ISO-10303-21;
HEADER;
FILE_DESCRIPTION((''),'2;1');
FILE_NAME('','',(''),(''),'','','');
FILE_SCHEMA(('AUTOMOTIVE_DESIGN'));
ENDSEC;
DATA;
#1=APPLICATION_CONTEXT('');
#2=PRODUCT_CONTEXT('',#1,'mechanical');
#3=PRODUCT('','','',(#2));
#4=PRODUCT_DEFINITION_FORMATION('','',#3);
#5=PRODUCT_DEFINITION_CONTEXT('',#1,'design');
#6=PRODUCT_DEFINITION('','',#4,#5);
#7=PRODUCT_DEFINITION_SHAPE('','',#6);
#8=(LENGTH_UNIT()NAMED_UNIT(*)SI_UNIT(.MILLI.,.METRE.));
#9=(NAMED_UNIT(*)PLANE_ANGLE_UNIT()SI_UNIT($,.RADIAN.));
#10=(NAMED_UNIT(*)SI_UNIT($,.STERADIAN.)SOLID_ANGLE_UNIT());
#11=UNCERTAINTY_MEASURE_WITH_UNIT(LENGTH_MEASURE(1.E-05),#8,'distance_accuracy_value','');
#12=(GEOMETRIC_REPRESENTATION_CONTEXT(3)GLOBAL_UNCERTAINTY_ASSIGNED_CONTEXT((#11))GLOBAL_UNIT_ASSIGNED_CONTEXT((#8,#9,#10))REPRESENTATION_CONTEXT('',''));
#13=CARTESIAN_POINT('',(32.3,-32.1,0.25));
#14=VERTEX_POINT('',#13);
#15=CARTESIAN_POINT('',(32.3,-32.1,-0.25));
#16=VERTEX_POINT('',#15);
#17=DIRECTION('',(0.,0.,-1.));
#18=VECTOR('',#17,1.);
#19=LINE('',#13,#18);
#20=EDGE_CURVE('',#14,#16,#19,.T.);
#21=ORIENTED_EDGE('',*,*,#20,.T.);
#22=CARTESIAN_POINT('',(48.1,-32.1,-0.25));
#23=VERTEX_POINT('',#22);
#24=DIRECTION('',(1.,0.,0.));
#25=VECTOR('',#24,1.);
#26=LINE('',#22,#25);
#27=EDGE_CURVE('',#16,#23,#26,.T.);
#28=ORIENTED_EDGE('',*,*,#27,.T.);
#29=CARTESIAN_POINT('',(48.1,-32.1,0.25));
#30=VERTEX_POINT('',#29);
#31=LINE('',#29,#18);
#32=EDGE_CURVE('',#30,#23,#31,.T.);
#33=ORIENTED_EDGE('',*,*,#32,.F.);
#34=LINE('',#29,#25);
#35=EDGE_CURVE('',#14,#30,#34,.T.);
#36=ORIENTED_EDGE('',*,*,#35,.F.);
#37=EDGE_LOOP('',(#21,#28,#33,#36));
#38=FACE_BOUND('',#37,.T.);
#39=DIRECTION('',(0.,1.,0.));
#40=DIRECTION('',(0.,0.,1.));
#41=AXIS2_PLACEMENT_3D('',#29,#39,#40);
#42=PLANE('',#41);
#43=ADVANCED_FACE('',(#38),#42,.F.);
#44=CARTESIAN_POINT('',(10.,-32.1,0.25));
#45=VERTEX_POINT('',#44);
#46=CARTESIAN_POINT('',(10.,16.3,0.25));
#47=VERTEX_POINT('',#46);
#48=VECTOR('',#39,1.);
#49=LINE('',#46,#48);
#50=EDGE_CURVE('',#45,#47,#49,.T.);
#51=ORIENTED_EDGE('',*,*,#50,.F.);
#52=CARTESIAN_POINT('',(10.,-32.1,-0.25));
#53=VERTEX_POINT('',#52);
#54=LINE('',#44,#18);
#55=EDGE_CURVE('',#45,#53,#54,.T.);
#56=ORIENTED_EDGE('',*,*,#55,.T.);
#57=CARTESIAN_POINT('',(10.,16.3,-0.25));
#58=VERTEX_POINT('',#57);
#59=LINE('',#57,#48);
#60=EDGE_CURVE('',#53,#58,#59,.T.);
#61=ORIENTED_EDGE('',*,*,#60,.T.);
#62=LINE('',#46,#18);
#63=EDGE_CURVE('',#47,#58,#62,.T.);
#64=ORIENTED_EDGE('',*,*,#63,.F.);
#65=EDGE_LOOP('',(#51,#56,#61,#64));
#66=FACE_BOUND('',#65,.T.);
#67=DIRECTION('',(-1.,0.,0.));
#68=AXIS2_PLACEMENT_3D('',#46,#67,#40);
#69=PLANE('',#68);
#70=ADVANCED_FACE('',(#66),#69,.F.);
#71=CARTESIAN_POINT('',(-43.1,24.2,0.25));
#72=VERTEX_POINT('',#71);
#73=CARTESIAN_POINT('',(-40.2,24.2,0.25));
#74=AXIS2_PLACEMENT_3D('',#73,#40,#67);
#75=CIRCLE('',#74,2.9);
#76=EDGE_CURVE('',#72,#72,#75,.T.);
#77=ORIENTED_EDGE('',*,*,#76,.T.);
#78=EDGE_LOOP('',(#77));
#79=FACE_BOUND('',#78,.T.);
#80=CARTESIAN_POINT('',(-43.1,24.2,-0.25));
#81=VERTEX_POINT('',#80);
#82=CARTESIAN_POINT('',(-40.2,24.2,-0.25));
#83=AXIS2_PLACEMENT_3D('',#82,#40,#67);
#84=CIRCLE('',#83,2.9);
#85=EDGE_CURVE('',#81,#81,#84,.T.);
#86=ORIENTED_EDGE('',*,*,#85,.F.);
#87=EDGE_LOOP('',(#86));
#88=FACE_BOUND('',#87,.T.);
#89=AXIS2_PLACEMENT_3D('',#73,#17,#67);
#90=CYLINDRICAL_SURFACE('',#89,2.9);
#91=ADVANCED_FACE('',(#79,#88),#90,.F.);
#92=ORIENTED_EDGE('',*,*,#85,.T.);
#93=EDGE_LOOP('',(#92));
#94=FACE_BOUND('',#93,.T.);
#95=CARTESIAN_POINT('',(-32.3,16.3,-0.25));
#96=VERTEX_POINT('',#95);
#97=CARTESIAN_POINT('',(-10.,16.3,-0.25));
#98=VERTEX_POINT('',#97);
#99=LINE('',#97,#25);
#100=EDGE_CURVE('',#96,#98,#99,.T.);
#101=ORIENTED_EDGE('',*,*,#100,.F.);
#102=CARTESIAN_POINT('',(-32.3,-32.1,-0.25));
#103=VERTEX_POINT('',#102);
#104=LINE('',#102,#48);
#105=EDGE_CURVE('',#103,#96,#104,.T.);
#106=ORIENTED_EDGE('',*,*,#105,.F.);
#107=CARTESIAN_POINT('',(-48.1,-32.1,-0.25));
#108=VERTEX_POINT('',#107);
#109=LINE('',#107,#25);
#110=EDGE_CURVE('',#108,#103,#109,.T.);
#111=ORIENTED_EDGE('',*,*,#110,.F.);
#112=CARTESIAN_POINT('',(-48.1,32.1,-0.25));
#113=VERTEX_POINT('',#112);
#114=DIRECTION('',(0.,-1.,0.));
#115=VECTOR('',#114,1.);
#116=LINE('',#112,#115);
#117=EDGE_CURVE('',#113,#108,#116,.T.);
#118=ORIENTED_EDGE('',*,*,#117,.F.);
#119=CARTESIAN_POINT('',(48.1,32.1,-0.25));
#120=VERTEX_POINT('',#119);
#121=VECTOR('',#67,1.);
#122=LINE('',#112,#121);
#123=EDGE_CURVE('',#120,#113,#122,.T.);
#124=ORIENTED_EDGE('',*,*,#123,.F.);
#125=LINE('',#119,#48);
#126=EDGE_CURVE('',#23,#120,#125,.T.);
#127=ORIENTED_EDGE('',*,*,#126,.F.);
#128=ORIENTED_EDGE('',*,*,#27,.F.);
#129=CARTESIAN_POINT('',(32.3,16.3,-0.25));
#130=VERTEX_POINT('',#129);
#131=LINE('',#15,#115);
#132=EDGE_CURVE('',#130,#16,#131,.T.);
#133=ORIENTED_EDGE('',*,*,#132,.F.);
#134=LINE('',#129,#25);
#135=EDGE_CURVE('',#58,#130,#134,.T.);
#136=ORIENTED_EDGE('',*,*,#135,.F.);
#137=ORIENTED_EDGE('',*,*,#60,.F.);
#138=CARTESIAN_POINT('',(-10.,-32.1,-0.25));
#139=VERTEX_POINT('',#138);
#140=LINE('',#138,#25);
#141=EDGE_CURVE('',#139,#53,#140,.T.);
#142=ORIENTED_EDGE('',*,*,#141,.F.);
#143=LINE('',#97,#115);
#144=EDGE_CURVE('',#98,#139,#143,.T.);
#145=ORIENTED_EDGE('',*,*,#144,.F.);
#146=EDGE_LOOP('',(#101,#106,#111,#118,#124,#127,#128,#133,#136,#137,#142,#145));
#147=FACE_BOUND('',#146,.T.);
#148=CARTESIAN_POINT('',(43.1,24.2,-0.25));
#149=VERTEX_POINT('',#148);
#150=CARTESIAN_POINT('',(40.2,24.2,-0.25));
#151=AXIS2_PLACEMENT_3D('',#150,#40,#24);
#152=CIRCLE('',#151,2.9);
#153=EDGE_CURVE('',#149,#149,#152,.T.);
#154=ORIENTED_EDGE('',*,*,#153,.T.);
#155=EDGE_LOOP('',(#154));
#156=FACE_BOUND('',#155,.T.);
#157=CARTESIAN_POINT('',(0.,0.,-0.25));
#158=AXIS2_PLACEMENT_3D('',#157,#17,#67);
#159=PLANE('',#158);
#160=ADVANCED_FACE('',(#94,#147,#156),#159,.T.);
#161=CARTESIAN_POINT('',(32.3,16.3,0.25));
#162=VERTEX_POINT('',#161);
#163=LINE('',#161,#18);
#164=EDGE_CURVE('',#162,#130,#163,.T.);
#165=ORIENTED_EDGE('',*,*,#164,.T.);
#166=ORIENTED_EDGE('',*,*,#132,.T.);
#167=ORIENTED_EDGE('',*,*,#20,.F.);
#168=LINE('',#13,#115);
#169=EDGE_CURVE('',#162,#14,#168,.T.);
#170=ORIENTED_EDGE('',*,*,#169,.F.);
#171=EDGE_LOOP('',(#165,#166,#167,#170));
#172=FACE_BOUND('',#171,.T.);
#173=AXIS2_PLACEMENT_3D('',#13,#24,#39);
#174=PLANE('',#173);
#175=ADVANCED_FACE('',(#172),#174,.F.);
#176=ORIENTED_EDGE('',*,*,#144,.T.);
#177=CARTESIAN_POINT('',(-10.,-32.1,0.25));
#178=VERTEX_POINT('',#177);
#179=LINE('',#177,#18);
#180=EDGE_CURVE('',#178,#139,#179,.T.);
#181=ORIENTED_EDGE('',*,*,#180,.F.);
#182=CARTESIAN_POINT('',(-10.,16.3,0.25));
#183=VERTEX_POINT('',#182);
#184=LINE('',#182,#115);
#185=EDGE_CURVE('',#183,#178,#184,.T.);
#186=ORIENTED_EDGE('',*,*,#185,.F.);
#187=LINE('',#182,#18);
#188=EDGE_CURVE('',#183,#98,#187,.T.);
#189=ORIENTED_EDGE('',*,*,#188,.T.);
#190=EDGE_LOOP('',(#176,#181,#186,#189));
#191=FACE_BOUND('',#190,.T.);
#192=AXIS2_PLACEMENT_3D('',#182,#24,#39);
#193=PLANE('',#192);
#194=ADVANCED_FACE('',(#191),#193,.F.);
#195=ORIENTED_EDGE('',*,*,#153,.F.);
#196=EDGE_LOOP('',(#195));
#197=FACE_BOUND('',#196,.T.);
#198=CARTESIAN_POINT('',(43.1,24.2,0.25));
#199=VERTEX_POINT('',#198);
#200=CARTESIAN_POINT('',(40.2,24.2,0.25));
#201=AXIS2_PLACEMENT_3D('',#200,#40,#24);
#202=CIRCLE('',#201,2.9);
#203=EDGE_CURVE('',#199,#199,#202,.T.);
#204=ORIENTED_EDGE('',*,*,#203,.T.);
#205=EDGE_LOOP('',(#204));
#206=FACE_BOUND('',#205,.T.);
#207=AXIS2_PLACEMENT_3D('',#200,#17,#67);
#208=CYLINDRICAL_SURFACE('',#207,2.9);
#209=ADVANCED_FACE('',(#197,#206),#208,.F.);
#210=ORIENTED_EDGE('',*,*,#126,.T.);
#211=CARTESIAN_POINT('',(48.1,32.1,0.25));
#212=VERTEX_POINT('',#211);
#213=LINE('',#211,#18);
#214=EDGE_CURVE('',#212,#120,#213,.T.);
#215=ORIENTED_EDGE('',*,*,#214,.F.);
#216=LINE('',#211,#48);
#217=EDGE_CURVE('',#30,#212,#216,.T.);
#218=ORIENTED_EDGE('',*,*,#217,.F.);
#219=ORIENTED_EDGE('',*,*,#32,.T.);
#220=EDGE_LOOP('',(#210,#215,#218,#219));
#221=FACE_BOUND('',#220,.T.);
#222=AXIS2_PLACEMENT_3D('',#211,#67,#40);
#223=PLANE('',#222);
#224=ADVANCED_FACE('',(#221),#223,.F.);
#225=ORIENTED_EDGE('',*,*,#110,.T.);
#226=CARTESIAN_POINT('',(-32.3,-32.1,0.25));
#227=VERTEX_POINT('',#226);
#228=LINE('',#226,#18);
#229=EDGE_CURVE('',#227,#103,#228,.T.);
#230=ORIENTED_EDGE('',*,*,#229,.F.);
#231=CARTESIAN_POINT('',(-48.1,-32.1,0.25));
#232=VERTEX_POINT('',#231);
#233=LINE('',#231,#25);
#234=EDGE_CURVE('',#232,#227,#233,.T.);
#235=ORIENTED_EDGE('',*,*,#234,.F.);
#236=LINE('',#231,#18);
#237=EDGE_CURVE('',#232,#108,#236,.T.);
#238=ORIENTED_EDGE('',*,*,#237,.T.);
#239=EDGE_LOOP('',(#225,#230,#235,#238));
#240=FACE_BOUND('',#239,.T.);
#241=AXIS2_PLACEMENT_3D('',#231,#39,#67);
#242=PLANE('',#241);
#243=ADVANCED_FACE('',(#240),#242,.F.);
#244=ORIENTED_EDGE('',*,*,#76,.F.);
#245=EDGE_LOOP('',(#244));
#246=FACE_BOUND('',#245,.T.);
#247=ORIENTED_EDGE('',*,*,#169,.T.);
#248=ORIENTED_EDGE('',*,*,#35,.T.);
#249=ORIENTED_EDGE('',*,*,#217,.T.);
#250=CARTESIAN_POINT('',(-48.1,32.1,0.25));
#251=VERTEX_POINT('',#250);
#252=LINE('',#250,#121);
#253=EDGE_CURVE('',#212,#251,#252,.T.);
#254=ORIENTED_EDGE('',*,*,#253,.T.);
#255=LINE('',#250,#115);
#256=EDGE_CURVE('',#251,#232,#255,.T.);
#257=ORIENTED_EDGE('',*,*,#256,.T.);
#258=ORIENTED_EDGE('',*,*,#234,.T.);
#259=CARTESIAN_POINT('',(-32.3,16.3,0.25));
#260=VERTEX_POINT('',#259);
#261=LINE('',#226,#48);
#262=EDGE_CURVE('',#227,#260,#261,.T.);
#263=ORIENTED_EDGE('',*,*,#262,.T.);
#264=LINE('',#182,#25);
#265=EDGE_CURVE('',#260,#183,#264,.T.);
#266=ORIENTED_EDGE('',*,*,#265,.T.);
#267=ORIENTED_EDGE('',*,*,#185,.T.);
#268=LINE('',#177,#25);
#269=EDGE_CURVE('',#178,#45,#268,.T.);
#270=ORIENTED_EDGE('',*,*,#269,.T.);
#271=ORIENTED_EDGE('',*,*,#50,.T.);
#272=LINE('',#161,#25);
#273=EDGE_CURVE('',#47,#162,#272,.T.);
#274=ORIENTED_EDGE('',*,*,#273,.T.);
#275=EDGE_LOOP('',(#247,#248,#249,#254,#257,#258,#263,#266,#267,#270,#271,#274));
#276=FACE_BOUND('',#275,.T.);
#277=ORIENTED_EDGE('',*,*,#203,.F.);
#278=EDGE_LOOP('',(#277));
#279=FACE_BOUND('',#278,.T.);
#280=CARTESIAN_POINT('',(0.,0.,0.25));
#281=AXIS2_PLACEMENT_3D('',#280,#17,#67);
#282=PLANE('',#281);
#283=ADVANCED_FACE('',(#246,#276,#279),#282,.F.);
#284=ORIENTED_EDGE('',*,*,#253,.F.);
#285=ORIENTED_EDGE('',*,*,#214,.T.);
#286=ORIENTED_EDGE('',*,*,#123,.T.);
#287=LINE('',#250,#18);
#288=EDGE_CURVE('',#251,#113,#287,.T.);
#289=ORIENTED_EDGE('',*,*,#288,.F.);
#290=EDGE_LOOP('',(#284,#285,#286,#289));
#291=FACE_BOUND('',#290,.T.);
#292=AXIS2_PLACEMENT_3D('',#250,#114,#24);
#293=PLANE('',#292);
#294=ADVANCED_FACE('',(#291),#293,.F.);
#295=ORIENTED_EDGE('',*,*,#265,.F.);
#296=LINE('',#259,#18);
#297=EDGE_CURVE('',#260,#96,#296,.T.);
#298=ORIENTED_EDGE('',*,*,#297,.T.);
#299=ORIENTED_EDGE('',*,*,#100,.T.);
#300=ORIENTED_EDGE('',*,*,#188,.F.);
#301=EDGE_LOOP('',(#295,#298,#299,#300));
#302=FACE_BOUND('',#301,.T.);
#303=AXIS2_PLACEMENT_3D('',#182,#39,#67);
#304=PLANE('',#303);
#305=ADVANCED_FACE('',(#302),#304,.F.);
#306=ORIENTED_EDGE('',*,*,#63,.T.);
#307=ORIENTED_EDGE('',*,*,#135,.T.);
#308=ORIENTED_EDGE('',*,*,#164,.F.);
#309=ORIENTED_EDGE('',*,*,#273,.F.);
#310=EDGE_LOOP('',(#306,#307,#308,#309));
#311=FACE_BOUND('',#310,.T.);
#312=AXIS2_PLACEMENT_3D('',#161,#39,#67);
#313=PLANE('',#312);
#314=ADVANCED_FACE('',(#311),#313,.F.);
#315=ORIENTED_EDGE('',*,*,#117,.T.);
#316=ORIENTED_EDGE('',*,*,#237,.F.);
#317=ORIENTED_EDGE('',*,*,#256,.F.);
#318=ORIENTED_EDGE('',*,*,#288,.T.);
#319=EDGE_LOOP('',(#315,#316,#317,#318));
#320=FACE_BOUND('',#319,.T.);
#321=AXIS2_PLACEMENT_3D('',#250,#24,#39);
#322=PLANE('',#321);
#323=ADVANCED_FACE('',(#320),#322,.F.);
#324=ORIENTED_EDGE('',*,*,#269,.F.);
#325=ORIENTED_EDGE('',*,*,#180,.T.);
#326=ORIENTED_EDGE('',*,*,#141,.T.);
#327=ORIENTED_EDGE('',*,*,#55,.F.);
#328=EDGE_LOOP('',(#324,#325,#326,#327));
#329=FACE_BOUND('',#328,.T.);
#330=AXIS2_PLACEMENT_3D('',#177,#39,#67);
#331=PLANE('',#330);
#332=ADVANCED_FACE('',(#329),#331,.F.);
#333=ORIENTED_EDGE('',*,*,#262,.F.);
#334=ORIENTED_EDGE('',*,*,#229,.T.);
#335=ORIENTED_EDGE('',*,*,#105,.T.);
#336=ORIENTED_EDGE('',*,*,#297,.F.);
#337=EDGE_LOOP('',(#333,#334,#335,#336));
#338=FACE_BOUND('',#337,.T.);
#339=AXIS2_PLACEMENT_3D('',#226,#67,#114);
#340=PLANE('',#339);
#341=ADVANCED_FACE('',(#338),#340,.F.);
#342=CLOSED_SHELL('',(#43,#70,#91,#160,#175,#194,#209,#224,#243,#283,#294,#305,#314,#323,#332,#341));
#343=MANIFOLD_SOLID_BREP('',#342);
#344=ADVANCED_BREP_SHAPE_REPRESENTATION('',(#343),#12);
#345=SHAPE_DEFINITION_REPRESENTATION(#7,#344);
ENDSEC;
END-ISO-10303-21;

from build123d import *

# Parameters (mm, degrees)
SKETCH1_R           = 2.9
BOSS_EXTRUDE1_DEPTH = 0.25


with BuildPart() as part:
    # Sketch1 → Boss-Extrude1 (new, symmetric)
    with BuildSketch(Plane.XY):
        Polygon((-48.1, 32.1), (48.1, 32.1), (48.1, -32.1), (32.3, -32.1), (32.3, 16.3), (10, 16.3), (10, -32.1), (-10, -32.1), (-10, 16.3), (-32.3, 16.3), (-32.3, -32.1), (-48.1, -32.1), align=None)
        with Locations((40.2, 24.2)):
            Circle(SKETCH1_R, mode=Mode.SUBTRACT)
        with Locations(Location((-40.2, 24.2, 0), (0, 0, 180))):
            Circle(SKETCH1_R, mode=Mode.SUBTRACT)
    extrude(amount=BOSS_EXTRUDE1_DEPTH, both=True)


solid = part.part
